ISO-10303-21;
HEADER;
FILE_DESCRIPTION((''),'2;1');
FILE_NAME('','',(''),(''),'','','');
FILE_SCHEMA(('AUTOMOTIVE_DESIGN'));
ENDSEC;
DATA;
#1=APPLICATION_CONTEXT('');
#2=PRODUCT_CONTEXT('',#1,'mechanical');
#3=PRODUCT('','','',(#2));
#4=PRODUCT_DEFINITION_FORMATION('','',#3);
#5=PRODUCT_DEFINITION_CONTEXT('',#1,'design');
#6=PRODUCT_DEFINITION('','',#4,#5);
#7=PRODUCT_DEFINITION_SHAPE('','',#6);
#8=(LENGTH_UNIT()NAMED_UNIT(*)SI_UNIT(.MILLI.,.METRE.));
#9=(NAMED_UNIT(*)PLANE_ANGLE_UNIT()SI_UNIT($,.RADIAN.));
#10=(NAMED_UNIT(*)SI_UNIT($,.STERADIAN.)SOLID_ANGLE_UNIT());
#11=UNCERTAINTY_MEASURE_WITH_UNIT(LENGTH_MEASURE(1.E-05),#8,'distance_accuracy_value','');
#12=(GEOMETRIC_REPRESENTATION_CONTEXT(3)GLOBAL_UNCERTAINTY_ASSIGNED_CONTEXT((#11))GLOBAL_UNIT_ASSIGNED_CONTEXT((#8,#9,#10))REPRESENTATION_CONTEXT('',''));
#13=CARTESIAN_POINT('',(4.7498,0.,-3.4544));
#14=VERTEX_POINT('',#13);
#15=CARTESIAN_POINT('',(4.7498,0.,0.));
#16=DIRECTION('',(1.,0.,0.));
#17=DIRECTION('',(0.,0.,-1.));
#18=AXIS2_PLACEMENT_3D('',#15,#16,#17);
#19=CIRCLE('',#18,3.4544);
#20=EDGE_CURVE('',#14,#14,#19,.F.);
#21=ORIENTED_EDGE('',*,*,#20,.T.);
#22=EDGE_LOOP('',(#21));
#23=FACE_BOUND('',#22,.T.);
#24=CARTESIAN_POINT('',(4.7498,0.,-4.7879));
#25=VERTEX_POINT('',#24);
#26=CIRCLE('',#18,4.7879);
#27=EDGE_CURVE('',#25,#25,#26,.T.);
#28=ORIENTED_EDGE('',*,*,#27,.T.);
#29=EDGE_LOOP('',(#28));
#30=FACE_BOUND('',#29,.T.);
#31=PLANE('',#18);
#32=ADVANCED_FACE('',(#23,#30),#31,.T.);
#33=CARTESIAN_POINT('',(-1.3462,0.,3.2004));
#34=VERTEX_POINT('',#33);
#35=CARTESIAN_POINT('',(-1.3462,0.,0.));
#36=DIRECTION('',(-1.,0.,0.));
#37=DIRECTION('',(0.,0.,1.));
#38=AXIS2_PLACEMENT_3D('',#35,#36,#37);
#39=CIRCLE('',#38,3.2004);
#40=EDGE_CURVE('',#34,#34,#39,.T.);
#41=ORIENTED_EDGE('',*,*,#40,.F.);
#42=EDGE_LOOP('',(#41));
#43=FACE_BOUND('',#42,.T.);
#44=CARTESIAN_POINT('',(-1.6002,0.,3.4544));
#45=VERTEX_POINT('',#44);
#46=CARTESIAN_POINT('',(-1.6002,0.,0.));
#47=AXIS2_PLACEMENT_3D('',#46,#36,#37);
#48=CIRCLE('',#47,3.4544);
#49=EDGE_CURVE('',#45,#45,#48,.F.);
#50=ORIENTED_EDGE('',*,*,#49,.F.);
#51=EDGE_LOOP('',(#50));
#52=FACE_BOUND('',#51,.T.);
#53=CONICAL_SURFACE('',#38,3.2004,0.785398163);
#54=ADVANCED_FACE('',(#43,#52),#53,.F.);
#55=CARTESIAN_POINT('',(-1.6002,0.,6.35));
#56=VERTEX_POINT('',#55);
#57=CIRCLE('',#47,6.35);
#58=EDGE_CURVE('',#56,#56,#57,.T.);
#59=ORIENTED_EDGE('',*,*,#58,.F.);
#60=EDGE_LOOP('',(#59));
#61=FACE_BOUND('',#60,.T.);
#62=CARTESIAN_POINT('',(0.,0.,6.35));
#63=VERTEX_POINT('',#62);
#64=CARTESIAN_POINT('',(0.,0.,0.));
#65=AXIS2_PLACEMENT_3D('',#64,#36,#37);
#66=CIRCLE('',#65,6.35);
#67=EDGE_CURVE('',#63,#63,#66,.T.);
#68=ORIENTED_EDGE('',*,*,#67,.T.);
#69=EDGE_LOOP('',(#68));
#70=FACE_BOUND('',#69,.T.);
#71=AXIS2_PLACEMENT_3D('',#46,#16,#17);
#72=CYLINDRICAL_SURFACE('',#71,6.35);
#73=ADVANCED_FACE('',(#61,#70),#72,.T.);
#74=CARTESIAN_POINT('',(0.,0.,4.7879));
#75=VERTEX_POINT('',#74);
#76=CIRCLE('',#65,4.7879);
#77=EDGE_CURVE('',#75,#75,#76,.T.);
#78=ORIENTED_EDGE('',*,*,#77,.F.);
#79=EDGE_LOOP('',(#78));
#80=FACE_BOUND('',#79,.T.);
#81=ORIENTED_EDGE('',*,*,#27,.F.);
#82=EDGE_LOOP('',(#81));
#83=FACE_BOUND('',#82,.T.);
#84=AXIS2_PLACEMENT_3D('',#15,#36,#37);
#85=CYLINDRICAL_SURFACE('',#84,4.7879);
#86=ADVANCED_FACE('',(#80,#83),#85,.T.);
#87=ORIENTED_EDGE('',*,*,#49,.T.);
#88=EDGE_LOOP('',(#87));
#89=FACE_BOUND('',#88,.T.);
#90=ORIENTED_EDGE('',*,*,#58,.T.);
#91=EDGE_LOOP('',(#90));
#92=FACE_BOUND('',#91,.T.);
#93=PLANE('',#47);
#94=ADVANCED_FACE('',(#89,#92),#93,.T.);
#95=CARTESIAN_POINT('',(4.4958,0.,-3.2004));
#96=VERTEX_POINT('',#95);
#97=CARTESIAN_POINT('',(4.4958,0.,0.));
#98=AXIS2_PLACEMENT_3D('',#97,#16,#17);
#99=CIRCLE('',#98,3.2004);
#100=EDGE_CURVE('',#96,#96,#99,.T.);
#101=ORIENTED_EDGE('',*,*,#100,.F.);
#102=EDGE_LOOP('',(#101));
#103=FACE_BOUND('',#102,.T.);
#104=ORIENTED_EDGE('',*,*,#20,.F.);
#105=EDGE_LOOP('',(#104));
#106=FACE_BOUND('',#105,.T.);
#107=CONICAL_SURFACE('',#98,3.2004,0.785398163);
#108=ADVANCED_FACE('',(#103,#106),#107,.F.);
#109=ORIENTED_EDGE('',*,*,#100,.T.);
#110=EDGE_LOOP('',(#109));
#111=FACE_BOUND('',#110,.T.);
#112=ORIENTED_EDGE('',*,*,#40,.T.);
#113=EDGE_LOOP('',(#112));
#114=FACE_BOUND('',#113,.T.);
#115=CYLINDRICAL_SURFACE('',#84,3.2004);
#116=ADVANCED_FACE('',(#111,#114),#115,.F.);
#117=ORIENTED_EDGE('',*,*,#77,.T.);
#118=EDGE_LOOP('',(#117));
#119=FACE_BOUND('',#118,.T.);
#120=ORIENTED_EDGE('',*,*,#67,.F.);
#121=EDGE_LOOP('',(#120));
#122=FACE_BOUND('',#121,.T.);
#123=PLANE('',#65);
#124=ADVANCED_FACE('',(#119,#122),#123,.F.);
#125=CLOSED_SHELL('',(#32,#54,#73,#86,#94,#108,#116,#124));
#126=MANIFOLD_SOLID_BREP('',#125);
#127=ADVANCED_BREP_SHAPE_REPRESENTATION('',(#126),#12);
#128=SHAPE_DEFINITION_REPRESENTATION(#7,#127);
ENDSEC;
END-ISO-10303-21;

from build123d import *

# Parameters (mm, degrees)
SKETCH1_R           = 4.7879
SKETCH1_R_2         = 3.2004
BOSS_EXTRUDE1_DEPTH = 4.7498
SKETCH2_R           = 6.35
SKETCH2_R_2         = 3.2004
BOSS_EXTRUDE2_DEPTH = 1.6002
CHAMFER1_SIZE       = 0.254


with BuildPart() as part:
    # Sketch1 → Boss-Extrude1 (new body)
    with BuildSketch(Plane(origin=(0, 0, 0), x_dir=(0, 0, -1), z_dir=(1, 0, 0))):
        Circle(SKETCH1_R)
        Circle(SKETCH1_R_2, mode=Mode.SUBTRACT)
    extrude(amount=BOSS_EXTRUDE1_DEPTH)

    # Sketch2 → Boss-Extrude2 (add)
    with BuildSketch(Plane.ZY):
        Circle(SKETCH2_R)
        Circle(SKETCH2_R_2, mode=Mode.SUBTRACT)
    extrude(amount=BOSS_EXTRUDE2_DEPTH)

    # Chamfer1
    chamfer1_edges = [part.edges().sort_by_distance(p)[0] for p in [
        (-1.6002, 0, -3.2004),
        (4.7498, 0, 3.2004),
    ]]
    chamfer(chamfer1_edges, length=CHAMFER1_SIZE)


solid = part.part
